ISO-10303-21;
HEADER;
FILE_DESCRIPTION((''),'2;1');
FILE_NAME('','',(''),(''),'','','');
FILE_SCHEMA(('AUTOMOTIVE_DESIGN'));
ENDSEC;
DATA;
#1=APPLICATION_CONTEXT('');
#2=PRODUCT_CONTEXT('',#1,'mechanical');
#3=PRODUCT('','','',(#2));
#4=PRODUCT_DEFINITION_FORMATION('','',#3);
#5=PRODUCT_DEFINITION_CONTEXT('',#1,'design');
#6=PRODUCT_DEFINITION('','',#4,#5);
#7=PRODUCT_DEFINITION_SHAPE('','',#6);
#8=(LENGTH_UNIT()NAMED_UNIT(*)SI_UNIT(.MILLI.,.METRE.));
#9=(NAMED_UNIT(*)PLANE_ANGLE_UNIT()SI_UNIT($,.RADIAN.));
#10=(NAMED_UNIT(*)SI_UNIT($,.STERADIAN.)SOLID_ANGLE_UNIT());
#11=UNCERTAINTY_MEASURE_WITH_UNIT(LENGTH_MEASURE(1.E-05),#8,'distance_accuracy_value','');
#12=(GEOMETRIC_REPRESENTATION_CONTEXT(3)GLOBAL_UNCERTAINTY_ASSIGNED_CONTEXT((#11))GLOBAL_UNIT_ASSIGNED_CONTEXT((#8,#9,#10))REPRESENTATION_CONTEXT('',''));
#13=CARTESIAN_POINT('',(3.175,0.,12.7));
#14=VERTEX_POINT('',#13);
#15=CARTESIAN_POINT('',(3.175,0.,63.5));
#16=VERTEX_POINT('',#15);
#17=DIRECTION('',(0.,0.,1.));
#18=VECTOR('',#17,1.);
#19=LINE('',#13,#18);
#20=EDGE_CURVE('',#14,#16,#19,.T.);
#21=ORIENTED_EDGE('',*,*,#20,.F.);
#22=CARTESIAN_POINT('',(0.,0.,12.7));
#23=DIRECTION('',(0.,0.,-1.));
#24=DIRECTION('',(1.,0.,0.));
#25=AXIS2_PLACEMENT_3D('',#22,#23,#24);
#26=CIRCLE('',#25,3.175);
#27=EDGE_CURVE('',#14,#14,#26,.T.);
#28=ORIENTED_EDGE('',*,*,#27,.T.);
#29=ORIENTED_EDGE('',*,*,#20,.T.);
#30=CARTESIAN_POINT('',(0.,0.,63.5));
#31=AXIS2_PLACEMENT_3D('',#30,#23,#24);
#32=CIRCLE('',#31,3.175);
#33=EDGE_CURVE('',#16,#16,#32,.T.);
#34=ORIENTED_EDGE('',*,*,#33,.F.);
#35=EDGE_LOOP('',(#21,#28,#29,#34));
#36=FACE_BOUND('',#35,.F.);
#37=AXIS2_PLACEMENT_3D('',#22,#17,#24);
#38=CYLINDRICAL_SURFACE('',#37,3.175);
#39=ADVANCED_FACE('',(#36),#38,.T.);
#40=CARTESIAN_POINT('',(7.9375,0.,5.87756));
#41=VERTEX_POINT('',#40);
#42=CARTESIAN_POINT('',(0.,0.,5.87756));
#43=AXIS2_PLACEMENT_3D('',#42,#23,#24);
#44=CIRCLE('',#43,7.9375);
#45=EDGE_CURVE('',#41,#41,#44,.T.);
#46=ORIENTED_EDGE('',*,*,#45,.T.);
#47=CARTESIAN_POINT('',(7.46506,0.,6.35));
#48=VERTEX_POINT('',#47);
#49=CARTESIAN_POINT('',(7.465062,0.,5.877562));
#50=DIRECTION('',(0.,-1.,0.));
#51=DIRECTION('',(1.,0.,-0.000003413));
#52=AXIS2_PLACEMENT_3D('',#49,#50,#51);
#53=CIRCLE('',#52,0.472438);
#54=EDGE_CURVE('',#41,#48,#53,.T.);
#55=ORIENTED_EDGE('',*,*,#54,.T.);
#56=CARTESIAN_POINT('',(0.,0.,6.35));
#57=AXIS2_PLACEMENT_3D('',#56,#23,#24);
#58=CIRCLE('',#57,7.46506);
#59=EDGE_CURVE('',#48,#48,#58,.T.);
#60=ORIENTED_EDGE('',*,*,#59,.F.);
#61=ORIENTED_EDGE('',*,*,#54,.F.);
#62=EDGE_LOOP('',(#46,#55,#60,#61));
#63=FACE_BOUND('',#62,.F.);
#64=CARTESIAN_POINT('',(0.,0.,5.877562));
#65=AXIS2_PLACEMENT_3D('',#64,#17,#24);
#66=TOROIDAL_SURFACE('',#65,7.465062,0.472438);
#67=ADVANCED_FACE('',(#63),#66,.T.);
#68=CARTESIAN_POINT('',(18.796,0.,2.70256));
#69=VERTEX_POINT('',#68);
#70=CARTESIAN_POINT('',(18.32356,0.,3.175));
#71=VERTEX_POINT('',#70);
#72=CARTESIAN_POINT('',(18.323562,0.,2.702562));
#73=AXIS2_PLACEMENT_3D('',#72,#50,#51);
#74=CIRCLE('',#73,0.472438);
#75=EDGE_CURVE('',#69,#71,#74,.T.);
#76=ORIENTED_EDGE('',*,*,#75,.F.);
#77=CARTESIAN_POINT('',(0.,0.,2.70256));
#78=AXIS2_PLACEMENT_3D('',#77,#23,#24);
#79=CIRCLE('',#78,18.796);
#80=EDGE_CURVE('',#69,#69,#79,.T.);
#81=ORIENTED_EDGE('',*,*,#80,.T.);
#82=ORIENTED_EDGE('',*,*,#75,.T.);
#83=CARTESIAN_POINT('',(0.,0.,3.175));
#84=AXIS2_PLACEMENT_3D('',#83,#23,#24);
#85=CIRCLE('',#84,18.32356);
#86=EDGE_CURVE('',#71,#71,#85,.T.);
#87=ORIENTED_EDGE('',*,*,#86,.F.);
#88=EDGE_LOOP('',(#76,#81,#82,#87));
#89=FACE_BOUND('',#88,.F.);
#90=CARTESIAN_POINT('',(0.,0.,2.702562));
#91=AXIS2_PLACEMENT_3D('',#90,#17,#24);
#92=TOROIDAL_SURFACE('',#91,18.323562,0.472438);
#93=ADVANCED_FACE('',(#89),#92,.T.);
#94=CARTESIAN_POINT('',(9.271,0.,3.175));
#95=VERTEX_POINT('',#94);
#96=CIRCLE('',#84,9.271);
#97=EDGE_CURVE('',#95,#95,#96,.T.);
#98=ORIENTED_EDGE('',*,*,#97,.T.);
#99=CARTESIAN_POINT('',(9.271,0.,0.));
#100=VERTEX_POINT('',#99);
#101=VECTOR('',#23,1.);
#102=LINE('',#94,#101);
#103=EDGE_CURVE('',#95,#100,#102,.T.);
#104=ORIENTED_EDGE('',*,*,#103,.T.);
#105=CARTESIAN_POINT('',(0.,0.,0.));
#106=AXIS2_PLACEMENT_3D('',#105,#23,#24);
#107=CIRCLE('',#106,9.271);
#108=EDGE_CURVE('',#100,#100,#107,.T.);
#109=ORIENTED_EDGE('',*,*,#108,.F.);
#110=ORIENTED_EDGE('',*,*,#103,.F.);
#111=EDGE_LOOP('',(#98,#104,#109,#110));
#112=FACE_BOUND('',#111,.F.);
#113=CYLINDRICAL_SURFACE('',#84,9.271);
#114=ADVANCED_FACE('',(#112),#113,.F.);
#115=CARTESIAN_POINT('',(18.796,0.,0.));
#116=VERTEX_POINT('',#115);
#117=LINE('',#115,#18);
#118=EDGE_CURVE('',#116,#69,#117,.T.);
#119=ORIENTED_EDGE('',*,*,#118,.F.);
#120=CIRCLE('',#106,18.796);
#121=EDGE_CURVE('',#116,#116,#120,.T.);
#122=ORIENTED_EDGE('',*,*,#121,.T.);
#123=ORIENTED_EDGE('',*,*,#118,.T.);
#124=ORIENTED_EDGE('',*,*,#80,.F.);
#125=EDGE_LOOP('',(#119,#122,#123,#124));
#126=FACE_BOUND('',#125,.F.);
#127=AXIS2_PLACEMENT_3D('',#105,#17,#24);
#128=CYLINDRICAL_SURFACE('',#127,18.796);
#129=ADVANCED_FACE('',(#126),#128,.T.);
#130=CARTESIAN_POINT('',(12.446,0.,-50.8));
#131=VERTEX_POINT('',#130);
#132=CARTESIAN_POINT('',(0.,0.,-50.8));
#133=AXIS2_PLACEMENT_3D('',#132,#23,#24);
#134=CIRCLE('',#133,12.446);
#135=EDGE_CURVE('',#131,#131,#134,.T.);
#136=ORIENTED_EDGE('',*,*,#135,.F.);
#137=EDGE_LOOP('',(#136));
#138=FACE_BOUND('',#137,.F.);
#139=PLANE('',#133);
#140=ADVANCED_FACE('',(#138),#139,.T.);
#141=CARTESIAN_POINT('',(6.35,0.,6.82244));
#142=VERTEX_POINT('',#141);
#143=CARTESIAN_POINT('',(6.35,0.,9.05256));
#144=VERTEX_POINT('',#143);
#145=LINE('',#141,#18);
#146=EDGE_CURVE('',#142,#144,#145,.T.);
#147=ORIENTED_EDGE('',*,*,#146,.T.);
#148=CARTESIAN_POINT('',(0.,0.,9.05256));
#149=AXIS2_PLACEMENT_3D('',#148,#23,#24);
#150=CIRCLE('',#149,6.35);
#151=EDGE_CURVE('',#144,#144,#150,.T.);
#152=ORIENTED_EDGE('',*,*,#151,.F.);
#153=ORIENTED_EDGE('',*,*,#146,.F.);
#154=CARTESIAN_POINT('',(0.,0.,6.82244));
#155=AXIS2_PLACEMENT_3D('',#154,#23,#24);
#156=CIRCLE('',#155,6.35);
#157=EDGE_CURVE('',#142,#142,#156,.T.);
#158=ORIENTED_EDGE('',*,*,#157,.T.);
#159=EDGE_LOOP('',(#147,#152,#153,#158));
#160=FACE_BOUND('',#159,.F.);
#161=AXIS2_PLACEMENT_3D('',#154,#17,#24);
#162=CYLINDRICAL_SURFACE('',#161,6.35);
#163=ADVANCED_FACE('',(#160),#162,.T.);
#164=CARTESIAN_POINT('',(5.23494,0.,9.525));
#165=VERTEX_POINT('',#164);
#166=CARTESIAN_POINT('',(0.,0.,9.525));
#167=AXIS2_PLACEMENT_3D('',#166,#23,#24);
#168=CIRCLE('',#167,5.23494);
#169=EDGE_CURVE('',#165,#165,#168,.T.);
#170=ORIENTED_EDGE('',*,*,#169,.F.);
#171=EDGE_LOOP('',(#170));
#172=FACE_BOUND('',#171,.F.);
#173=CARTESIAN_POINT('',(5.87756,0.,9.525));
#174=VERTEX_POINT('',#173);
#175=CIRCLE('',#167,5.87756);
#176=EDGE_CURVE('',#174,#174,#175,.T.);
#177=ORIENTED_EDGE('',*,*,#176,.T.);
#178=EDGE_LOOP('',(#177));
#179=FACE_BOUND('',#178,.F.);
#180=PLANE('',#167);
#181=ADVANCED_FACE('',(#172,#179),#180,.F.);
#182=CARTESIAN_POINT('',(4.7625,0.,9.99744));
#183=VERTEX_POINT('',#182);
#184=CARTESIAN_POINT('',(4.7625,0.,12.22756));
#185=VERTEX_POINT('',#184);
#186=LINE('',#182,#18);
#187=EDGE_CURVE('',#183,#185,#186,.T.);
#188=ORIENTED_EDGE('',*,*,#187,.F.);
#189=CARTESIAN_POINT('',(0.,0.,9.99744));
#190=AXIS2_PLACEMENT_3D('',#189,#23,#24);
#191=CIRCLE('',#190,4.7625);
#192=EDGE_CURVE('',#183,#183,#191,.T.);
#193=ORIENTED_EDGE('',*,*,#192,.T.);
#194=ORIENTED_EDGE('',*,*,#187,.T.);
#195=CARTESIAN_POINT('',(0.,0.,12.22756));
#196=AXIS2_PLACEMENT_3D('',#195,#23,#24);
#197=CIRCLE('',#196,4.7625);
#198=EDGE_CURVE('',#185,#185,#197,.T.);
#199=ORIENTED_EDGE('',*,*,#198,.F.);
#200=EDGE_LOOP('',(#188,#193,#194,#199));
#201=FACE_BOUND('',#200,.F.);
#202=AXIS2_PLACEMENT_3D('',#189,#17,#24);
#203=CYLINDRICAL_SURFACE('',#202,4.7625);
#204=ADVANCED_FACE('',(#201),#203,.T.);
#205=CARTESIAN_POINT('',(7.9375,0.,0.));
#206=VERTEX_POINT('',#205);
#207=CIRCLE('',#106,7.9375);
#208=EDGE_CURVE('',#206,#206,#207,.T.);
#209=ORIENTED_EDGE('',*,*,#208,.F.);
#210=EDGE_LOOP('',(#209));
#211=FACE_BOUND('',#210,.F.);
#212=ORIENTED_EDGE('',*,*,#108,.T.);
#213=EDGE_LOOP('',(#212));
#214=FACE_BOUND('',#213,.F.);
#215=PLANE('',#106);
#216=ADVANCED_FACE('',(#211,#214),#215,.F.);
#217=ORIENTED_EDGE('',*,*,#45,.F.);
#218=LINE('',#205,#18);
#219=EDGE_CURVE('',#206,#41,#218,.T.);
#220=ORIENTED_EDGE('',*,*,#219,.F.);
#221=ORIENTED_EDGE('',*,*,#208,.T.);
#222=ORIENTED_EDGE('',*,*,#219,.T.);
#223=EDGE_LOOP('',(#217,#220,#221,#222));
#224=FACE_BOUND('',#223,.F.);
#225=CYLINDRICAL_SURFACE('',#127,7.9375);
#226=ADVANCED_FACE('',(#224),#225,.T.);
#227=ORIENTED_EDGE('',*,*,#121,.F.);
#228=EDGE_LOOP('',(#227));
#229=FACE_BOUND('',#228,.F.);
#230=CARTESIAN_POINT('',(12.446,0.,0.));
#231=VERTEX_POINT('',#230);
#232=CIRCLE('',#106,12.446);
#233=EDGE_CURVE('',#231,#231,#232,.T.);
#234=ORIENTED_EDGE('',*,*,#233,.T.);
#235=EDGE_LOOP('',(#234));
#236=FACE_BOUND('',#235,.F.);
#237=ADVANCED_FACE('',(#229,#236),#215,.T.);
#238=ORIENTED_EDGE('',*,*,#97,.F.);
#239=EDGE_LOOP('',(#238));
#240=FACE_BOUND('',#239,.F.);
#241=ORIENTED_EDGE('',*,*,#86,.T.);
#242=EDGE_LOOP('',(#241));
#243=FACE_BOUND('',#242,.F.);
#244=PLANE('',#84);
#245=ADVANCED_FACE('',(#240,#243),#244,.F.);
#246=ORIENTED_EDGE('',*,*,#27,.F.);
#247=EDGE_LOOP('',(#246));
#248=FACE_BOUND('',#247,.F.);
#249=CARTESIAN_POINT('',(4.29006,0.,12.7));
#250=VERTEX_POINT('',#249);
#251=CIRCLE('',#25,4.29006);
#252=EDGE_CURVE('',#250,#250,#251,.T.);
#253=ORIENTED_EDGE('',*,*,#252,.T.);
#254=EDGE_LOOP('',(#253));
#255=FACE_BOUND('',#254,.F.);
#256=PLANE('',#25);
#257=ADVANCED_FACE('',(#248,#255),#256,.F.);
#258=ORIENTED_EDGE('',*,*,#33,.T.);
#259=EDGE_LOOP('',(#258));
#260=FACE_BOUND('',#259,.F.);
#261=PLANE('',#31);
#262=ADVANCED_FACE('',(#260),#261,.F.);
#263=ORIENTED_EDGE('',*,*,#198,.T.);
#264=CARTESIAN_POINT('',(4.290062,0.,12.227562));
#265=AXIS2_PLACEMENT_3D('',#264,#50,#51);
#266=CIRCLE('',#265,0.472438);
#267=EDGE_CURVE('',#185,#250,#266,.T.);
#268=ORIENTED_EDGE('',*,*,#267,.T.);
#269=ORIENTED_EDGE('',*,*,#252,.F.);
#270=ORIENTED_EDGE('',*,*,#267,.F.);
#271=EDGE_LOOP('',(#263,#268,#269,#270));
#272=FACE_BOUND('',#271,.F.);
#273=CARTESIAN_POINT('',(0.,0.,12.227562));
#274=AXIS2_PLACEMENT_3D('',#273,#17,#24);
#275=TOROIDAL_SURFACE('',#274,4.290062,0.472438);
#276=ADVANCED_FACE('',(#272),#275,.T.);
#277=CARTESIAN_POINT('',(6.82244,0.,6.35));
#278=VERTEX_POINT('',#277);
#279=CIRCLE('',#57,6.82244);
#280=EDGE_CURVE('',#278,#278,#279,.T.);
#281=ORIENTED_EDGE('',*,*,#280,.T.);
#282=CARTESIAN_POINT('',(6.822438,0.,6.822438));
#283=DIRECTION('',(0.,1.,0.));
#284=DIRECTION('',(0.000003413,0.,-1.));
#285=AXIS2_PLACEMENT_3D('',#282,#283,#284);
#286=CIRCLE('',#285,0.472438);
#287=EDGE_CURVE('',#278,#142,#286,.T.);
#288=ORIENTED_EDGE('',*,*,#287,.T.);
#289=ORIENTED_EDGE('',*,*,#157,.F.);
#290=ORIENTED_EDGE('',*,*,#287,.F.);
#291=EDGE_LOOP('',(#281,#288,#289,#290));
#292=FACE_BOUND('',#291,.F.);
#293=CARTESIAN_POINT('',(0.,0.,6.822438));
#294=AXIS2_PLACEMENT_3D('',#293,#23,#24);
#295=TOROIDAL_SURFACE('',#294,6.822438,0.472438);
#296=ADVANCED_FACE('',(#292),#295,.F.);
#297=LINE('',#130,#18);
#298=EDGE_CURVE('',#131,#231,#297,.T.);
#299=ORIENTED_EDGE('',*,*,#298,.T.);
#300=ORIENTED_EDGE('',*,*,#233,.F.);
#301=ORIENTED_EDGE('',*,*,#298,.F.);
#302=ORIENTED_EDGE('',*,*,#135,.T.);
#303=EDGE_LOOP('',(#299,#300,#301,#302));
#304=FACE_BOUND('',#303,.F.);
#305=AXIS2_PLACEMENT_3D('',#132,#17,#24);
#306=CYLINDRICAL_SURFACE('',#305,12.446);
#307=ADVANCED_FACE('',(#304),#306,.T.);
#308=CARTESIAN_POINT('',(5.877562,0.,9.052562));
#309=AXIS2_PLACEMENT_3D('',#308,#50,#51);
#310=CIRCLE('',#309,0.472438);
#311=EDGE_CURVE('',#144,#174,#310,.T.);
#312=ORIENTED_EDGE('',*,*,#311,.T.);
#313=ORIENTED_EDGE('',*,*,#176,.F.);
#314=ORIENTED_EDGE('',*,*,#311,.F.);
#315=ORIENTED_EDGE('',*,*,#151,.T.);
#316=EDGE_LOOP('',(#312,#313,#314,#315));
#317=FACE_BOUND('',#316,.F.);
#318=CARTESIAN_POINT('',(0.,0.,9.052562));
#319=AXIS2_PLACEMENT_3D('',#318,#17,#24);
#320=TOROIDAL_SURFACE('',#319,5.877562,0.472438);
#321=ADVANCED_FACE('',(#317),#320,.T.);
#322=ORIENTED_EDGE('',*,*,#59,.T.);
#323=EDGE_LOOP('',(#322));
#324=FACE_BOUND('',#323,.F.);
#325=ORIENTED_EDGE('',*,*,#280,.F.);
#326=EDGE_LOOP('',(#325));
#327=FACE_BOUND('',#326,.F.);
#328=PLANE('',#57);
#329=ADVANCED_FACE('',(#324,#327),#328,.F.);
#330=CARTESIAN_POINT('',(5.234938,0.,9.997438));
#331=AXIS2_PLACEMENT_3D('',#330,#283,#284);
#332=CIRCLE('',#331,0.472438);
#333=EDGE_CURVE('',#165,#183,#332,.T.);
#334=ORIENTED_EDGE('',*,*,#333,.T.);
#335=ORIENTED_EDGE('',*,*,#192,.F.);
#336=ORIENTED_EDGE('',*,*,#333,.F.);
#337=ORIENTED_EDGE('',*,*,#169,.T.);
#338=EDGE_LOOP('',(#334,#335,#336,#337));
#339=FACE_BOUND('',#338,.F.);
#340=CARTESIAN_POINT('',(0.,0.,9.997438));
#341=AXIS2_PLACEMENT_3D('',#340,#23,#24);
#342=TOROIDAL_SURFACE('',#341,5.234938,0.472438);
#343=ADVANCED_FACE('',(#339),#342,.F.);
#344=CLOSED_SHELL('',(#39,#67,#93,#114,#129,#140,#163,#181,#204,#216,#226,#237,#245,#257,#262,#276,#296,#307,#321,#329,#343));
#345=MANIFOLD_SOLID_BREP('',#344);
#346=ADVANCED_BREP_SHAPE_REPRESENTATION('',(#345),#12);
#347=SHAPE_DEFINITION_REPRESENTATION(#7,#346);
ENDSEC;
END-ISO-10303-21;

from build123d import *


with BuildPart() as f1:
    # F0 (on Front) → F1 (revolve)
    with BuildSketch(Plane.XZ):
        with BuildLine():
            Line((7.9375, 0), (0, 0))
            Line((0, 0), (0, -50.8))
            Line((0, -50.8), (12.446, -50.8))
            Line((12.446, -50.8), (12.446, 0))
            Line((12.446, 0), (18.796, 0))
            Line((18.796, 0), (18.796, 2.70256))
            ThreePointArc((18.796, 2.70256), (18.657626, 3.036626), (18.32356, 3.175))
            Line((18.32356, 3.175), (9.271, 3.175))
            Line((9.271, 3.175), (9.271, 0))
            Line((9.271, 0), (7.9375, 0))
        make_face()
        with BuildLine():
            Line((0, 63.5), (0, 0))
            Line((0, 0), (7.9375, 0))
            Line((7.9375, 0), (7.9375, 5.87756))
            ThreePointArc((7.9375, 5.87756), (7.799126, 6.211626), (7.46506, 6.35))
            Line((7.46506, 6.35), (6.82244, 6.35))
            ThreePointArc((6.82244, 6.35), (6.488374, 6.488374), (6.35, 6.82244))
            Line((6.35, 6.82244), (6.35, 9.05256))
            ThreePointArc((6.35, 9.05256), (6.211626, 9.386626), (5.87756, 9.525))
            Line((5.87756, 9.525), (5.23494, 9.525))
            ThreePointArc((5.23494, 9.525), (4.900874, 9.663374), (4.7625, 9.99744))
            Line((4.7625, 9.99744), (4.7625, 12.22756))
            ThreePointArc((4.7625, 12.22756), (4.624126, 12.561626), (4.29006, 12.7))
            Line((4.29006, 12.7), (3.175, 12.7))
            Line((3.175, 12.7), (3.175, 63.5))
            Line((3.175, 63.5), (0, 63.5))
        make_face()
    revolve(axis=Axis((0, 0, 6.323627), (0, 0, -1)))


solid = f1.part
